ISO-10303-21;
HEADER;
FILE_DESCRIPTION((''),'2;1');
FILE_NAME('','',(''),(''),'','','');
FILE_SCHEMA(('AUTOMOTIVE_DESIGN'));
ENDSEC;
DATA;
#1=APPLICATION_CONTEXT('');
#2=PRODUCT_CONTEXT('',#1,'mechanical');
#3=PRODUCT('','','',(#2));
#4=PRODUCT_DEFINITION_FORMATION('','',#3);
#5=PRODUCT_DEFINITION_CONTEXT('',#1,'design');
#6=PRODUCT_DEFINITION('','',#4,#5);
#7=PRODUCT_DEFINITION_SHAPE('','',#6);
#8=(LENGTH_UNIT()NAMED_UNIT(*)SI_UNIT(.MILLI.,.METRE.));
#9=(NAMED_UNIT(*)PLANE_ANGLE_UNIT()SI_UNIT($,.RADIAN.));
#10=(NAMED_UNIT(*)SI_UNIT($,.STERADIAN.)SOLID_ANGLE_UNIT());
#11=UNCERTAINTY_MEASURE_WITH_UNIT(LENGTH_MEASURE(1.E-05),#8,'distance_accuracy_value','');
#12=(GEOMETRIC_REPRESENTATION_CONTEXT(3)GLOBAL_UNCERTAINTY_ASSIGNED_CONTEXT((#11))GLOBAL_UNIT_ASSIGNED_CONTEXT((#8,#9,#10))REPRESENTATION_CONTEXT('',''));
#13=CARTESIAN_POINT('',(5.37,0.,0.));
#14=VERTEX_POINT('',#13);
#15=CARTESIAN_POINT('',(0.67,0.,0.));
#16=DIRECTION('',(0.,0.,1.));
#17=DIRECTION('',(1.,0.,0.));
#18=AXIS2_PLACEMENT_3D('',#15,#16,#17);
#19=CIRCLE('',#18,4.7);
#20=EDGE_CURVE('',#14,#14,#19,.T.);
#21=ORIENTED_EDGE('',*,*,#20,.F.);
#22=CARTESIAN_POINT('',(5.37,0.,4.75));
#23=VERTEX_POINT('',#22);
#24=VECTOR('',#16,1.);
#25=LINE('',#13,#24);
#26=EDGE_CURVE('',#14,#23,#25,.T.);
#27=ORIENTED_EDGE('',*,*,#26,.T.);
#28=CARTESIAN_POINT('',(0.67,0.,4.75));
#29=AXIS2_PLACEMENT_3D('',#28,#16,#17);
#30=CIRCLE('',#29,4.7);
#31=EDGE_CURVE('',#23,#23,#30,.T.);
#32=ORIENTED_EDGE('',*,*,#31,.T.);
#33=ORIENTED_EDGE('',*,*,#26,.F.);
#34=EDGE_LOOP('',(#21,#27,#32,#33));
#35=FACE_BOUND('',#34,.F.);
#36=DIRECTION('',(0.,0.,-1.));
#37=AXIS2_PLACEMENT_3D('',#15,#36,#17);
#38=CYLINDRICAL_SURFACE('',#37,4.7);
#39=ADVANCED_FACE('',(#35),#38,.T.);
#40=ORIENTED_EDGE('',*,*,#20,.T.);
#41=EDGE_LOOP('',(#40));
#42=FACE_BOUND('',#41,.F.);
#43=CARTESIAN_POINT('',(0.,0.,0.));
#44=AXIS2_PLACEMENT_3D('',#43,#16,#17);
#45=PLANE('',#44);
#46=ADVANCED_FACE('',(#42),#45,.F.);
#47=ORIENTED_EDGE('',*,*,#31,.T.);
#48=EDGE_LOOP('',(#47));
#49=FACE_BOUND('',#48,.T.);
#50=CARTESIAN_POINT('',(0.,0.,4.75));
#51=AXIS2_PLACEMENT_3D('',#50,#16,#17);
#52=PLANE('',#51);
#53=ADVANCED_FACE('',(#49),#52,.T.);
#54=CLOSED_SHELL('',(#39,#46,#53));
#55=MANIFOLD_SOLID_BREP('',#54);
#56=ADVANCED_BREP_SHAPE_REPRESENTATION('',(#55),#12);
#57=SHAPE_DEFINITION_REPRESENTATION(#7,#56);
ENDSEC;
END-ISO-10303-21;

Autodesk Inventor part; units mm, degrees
ref_plane "YZ Plane" through (0, 0, 0) normal (1, 0, 0) x (0, 1, 0)
ref_plane "XZ Plane" through (0, 0, 0) normal (0, 1, 0) x (-1, 0, 0)
sketch "Sketch1" plane through (0, 0, 0) normal (0, 0, 1) x (1, 0, 0)
  line L0 (2.6366, 1.85) -> (-1.2966, 1.85) construction
  arc A0 (-1.2966, 1.85) -> (-1.2966, -1.85) centre (0.67, 0) ccw construction
  arc A1 (2.6366, -1.85) -> (2.6366, 1.85) centre (0.67, 0) ccw construction
  line L1 (-1.2966, -1.85) -> (2.6366, -1.85) construction
  circle A2 centre (0.67, 0) radius 4.7
  arc A3 (-1.3604, 2) -> (-1.3604, 2) centre (0.67, 0) ccw
  line L2 (-1.3604, 2) -> (2.7004, 2)
  line L3 (-1.3604, 2) -> (2.7004, 2)
  arc A4 (2.7004, 2) -> (2.7004, 2) centre (0.67, 0) ccw
  point P0 (0, 0)
  dimension "d0" = 2
  dimension "d6" = 0.15
  dimension "d7" = 0.15
ref_plane "Work Plane1" through (-12.875, -12.875, 4.75) normal (0, 0, -1) x (0, 1, 0)
extrude "Extrusion1" add sketch "Sketch1" along normal up to surface (4.75 mm away) contours A2 | A3 L2 | L2 A3
properties part number "TTencoderspacer"
